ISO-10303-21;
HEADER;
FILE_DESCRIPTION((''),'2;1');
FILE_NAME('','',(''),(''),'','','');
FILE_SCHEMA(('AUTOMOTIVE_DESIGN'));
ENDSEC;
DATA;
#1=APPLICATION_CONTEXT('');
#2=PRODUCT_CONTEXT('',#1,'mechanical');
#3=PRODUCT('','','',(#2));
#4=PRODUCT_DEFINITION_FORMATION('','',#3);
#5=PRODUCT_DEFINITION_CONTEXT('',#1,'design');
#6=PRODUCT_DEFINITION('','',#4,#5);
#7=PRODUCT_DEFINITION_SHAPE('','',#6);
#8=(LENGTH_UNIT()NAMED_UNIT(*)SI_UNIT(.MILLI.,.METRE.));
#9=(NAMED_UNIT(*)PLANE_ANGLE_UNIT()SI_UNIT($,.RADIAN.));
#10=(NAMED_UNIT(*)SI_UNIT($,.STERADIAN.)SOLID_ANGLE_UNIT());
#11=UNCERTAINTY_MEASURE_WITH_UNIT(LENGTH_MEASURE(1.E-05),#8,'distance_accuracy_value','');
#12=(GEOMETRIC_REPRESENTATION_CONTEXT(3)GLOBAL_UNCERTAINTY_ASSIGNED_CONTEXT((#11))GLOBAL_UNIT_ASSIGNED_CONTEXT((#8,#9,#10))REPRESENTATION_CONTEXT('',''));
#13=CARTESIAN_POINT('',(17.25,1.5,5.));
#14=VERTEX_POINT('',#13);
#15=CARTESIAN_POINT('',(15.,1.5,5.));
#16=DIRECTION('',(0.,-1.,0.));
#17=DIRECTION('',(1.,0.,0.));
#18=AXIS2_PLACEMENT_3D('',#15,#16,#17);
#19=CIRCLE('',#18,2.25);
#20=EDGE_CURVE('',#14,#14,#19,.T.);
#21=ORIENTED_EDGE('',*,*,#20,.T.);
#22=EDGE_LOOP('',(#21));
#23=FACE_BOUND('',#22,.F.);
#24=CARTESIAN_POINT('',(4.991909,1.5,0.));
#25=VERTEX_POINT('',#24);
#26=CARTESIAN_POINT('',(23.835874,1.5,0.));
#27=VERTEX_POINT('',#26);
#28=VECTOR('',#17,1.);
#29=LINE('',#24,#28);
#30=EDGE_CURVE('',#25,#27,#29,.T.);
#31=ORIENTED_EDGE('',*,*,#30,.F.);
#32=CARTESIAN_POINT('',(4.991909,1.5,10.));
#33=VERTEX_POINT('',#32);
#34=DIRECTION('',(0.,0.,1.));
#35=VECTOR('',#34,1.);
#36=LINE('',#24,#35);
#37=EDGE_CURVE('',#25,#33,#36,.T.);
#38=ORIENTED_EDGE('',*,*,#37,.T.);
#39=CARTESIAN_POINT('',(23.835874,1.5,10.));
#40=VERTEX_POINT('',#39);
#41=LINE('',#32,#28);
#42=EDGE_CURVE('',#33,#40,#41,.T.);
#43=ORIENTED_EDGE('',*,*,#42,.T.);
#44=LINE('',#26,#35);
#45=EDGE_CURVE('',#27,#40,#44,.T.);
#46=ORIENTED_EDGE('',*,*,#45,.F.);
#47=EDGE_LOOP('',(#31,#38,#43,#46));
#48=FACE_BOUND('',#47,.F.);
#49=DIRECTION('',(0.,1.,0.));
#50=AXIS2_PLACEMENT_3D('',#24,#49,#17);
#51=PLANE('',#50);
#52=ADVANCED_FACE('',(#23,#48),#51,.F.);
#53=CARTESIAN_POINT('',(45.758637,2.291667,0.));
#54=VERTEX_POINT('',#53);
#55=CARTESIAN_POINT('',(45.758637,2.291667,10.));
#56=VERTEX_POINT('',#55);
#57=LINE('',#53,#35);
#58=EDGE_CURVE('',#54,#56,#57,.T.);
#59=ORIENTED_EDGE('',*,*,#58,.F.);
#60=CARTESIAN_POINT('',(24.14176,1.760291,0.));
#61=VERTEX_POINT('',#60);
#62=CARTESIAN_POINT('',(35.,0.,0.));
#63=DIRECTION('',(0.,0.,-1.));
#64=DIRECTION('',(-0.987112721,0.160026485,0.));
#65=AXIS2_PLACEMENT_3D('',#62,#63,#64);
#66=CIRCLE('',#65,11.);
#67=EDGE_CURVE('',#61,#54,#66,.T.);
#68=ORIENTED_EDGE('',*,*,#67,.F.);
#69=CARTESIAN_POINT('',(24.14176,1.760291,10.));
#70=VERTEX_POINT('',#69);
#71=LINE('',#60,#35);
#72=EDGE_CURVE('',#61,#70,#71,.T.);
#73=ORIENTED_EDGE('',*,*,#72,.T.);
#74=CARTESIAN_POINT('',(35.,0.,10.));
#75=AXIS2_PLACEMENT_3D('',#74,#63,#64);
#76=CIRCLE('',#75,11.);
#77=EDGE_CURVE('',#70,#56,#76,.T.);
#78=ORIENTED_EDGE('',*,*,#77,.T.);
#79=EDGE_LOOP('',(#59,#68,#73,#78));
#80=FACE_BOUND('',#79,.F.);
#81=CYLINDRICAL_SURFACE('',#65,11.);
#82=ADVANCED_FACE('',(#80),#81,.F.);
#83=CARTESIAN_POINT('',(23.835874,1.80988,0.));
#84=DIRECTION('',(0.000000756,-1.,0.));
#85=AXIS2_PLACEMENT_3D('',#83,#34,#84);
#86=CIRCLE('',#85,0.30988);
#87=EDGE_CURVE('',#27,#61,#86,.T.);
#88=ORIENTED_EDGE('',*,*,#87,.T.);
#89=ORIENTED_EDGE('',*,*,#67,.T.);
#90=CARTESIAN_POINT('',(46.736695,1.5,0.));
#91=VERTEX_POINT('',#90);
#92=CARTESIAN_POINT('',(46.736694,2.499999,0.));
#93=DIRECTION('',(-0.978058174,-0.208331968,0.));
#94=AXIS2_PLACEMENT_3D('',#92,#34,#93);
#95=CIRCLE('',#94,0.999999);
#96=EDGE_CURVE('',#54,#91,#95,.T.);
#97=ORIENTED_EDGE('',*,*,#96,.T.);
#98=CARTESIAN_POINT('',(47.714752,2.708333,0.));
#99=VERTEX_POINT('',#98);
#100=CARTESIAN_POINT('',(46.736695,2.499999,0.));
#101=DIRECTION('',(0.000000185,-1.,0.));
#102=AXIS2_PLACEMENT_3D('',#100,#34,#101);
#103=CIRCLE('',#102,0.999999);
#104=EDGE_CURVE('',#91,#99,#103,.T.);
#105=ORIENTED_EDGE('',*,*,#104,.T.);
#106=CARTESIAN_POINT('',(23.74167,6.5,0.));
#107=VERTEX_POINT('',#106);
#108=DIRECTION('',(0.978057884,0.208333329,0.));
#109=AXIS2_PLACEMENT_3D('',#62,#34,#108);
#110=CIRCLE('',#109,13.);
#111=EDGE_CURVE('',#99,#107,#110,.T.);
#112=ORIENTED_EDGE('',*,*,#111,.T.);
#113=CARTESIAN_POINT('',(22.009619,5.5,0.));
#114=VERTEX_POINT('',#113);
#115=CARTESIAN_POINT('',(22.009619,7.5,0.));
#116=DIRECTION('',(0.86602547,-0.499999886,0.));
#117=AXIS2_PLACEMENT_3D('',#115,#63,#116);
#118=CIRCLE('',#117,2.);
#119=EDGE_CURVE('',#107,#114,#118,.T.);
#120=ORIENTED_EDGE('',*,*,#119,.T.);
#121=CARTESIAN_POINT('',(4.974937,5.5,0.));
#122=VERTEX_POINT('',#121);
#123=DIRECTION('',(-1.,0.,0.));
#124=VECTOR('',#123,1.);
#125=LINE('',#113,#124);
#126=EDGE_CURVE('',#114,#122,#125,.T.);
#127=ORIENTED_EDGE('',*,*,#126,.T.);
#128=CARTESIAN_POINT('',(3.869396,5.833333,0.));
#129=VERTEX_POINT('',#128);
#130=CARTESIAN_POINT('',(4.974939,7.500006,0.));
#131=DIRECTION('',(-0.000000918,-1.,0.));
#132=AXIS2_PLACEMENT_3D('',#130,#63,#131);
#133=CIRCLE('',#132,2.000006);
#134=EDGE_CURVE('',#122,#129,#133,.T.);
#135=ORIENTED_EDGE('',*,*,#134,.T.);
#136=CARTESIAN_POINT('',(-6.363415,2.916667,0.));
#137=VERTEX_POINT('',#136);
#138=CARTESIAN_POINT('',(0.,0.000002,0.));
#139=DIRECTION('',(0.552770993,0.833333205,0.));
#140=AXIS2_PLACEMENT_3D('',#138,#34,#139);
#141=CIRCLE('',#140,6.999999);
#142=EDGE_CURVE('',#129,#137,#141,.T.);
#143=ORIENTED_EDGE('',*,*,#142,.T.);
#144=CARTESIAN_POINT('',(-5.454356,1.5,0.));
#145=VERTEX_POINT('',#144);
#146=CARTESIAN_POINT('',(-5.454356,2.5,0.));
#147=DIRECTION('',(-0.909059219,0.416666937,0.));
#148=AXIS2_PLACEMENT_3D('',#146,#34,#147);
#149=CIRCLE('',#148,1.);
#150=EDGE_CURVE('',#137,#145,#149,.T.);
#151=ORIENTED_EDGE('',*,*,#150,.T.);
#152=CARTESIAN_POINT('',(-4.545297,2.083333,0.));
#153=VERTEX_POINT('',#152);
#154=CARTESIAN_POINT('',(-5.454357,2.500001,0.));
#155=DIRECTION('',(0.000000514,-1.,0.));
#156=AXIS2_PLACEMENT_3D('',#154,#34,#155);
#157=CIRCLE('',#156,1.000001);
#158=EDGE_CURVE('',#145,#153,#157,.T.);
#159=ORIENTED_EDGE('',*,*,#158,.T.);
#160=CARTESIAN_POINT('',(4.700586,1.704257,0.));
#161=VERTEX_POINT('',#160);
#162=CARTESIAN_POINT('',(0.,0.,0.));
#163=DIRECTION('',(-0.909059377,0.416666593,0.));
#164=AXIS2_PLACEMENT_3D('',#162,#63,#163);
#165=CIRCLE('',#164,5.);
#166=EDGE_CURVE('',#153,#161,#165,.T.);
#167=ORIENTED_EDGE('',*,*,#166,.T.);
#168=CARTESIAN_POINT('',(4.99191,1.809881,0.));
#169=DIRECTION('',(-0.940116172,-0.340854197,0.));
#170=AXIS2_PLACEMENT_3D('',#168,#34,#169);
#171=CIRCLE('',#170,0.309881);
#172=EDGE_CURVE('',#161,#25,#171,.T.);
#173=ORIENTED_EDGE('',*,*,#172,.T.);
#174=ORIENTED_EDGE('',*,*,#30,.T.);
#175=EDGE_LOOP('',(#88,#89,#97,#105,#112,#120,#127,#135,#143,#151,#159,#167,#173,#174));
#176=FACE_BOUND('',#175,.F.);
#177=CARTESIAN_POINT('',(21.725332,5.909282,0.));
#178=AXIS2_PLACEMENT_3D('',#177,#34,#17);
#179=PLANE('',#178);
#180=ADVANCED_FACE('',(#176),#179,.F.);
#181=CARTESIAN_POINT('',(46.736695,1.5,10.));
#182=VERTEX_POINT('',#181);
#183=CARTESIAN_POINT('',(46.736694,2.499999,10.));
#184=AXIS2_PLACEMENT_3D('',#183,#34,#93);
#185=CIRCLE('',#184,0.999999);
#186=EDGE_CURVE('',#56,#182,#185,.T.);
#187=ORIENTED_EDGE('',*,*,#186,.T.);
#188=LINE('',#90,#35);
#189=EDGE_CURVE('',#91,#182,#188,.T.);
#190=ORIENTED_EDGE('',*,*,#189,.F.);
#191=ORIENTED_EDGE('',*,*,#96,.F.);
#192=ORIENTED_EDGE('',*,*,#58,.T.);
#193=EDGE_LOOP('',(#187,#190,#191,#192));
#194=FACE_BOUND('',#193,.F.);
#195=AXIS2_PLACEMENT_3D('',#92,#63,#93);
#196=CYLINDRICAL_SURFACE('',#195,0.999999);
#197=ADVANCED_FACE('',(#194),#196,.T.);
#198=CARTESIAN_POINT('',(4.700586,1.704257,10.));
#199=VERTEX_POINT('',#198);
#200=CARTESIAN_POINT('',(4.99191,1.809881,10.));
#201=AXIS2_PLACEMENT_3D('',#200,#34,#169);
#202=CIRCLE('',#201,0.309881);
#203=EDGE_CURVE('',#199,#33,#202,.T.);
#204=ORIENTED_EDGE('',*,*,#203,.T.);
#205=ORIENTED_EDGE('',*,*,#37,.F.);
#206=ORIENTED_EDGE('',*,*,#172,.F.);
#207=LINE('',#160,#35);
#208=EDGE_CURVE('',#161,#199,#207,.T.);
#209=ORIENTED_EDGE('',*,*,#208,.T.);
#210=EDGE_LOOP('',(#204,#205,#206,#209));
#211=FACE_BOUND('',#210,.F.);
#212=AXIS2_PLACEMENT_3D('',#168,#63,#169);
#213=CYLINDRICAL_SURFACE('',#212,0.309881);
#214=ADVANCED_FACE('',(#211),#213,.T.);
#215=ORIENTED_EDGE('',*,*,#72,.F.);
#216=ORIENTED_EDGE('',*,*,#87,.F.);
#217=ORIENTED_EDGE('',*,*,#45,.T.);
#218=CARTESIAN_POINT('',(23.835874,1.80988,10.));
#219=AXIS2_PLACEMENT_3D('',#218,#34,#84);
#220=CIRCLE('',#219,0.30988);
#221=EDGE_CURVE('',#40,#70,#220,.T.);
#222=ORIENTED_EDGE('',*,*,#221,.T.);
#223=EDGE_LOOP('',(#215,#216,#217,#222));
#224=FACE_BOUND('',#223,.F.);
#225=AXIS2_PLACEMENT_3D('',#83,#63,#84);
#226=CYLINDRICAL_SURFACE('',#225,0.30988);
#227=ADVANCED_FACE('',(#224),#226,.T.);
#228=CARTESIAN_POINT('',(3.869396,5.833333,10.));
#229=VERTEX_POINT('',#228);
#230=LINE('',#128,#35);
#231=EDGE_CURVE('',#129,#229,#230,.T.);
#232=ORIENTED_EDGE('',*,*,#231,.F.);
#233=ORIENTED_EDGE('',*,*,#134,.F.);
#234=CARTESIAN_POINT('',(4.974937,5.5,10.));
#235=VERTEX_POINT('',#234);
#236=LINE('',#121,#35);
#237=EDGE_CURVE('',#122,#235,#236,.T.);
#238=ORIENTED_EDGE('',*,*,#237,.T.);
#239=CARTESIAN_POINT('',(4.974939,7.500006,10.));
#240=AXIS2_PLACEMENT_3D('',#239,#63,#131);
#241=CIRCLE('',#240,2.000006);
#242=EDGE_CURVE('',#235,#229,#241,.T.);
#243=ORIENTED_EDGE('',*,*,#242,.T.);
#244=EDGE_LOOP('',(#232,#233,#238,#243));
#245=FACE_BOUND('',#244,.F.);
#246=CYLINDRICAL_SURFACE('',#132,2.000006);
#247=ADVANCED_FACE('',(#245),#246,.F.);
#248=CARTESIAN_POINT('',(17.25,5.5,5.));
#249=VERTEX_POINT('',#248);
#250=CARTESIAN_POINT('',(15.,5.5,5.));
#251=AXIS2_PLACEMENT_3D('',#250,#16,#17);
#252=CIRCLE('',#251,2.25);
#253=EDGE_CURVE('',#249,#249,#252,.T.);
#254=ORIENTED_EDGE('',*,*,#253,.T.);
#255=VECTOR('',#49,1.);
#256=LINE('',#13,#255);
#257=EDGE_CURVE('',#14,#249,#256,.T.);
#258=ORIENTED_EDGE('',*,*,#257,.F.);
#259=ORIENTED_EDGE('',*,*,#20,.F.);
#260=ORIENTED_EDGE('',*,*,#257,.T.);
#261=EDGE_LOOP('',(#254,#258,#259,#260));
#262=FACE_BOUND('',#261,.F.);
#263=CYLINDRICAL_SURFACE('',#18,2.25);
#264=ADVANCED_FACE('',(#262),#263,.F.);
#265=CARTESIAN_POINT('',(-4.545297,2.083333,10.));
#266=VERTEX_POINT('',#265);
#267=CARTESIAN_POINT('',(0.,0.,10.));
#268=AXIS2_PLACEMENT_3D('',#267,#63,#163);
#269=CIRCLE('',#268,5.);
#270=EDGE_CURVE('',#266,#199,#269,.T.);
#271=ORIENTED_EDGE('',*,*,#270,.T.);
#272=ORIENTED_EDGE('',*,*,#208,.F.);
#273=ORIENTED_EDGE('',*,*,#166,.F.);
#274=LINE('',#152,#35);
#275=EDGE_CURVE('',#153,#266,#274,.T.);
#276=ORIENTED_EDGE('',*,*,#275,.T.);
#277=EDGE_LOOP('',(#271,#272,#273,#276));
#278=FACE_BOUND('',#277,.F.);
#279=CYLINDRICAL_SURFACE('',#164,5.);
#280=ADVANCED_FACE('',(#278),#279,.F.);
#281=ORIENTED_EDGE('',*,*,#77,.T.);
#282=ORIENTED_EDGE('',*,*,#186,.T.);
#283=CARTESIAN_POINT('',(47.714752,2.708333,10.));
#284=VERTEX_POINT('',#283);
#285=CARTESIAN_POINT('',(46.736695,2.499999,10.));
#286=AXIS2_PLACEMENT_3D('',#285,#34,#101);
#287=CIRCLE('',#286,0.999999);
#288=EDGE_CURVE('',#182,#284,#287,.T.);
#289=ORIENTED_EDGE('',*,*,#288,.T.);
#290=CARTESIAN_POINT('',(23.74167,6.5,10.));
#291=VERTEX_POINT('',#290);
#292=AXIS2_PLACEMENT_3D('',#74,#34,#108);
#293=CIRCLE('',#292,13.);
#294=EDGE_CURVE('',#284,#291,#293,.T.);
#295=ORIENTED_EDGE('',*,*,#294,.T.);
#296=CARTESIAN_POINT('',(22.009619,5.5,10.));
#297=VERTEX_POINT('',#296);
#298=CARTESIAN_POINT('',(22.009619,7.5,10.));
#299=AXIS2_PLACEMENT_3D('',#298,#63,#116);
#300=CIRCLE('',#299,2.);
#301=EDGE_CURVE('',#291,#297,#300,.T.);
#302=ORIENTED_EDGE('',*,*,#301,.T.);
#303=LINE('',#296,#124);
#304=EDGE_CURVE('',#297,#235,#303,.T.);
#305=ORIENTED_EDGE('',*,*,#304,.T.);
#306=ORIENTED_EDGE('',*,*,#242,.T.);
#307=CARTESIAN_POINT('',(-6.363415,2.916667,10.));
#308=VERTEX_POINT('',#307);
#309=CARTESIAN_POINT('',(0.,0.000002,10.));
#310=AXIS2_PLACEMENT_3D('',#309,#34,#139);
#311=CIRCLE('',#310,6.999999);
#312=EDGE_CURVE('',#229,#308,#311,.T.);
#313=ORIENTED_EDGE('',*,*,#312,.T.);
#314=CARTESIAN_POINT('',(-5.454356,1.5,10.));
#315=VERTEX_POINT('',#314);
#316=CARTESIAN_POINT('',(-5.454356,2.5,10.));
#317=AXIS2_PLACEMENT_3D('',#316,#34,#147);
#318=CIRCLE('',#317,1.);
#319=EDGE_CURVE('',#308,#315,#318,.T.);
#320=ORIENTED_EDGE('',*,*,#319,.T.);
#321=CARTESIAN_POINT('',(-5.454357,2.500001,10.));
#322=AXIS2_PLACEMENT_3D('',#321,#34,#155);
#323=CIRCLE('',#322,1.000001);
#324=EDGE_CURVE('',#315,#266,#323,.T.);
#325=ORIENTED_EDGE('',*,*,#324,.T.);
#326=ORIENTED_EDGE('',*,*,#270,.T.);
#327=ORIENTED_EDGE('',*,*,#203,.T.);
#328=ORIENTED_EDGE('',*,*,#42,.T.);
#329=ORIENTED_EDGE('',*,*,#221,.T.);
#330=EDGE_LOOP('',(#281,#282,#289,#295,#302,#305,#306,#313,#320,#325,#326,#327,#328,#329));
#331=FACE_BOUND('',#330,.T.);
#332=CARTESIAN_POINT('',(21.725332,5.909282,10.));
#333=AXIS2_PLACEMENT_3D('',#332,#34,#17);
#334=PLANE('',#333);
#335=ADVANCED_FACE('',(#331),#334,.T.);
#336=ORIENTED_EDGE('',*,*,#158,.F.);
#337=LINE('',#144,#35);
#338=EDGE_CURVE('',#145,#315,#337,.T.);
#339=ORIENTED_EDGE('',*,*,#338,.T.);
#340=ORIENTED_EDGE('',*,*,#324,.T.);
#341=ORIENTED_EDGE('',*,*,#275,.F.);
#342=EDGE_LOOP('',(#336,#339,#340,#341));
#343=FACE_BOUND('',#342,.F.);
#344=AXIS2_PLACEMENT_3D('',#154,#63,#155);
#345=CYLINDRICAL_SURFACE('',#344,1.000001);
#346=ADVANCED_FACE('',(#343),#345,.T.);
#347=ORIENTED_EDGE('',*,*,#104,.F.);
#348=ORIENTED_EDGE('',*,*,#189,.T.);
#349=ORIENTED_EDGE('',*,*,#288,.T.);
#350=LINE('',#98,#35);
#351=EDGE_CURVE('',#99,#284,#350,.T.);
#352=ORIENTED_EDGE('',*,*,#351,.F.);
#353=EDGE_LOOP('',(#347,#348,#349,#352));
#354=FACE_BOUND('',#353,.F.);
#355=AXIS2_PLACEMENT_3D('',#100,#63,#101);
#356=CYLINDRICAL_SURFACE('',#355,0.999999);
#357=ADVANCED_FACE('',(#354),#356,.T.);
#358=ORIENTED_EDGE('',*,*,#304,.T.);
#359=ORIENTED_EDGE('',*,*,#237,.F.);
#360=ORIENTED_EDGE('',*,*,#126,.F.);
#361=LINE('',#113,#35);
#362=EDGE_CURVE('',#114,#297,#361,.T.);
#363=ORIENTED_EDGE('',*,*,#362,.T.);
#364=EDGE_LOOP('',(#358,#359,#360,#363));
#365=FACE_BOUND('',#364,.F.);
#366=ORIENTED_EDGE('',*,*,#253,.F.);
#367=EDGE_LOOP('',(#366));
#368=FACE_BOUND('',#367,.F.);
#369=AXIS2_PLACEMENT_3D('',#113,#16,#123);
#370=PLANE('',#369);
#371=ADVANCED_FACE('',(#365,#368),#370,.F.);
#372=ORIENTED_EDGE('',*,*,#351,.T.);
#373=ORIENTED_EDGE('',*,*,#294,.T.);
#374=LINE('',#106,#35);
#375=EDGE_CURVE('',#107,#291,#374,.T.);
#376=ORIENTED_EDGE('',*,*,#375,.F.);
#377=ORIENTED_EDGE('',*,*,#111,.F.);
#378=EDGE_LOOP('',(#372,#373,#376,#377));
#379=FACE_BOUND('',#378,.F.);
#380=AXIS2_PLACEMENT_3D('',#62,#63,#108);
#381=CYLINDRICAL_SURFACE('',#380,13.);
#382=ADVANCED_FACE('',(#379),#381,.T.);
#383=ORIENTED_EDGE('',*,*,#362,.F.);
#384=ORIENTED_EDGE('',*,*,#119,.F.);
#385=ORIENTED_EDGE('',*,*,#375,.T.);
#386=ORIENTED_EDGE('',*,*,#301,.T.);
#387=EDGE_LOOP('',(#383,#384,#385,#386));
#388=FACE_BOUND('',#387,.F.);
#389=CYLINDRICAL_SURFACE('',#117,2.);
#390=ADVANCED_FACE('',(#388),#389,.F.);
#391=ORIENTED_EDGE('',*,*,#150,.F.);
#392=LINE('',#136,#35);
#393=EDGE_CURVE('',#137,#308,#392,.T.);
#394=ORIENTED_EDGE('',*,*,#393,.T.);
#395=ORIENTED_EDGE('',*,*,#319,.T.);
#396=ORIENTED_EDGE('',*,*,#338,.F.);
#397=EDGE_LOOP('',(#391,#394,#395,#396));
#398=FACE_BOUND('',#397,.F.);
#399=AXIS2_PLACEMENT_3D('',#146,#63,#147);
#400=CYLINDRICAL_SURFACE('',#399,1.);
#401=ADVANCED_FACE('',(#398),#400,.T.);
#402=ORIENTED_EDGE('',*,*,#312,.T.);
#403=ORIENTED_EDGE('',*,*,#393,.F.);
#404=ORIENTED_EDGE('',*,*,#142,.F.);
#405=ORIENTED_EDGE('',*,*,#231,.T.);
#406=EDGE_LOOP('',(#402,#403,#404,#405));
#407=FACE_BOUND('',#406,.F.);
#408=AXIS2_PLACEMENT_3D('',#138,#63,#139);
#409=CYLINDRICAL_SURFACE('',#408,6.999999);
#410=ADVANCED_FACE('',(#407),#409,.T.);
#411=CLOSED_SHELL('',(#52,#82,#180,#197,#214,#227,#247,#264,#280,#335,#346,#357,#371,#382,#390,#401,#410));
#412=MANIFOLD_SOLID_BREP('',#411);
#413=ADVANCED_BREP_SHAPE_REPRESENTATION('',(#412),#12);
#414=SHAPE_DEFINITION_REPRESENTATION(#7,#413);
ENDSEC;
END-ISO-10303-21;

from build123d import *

# Parameters (mm, degrees)
F1_DEPTH = 10
F2_R     = 2.25
F3_DEPTH = 25


with BuildPart() as f1:
    # F0 (on Top) → F1 (new body)
    with BuildSketch(Plane.XY):
        with BuildLine():
            ThreePointArc((-4.545297, 2.083333), (0.204825, 4.995803), (4.700586, 1.704257))
            ThreePointArc((4.700586, 1.704257), (4.814012, 1.556152), (4.991909, 1.5))
            Line((4.991909, 1.5), (23.835874, 1.5))
            ThreePointArc((23.835874, 1.5), (24.036696, 1.57388), (24.14176, 1.760291))
            ThreePointArc((24.14176, 1.760291), (34.729685, 10.996678), (45.758637, 2.291667))
            ThreePointArc((45.758637, 2.291667), (46.107542, 1.722718), (46.736695, 1.5))
            ThreePointArc((46.736695, 1.5), (47.513976, 1.870847), (47.714752, 2.708333))
            ThreePointArc((47.714752, 2.708333), (37.03088, 12.840386), (23.74167, 6.5))
            ThreePointArc((23.74167, 6.5), (23.009619, 5.767949), (22.009619, 5.5))
            Line((22.009619, 5.5), (4.974937, 5.5))
            ThreePointArc((4.974937, 5.5), (4.397587, 5.585146), (3.869396, 5.833333))
            ThreePointArc((3.869396, 5.833333), (-1.918794, 6.731882), (-6.363415, 2.916667))
            ThreePointArc((-6.363415, 2.916667), (-6.295981, 1.959938), (-5.454356, 1.5))
            ThreePointArc((-5.454356, 1.5), (-4.914294, 1.658375), (-4.545297, 2.083333))
        make_face()
    extrude(amount=F1_DEPTH)

    # F2 (on face) → F3 (cut)
    with BuildSketch(Plane.XZ.offset(-1.5)):
        with Locations((15, 5)):
            Circle(F2_R)
    extrude(amount=-F3_DEPTH, mode=Mode.SUBTRACT)


solid = f1.part
